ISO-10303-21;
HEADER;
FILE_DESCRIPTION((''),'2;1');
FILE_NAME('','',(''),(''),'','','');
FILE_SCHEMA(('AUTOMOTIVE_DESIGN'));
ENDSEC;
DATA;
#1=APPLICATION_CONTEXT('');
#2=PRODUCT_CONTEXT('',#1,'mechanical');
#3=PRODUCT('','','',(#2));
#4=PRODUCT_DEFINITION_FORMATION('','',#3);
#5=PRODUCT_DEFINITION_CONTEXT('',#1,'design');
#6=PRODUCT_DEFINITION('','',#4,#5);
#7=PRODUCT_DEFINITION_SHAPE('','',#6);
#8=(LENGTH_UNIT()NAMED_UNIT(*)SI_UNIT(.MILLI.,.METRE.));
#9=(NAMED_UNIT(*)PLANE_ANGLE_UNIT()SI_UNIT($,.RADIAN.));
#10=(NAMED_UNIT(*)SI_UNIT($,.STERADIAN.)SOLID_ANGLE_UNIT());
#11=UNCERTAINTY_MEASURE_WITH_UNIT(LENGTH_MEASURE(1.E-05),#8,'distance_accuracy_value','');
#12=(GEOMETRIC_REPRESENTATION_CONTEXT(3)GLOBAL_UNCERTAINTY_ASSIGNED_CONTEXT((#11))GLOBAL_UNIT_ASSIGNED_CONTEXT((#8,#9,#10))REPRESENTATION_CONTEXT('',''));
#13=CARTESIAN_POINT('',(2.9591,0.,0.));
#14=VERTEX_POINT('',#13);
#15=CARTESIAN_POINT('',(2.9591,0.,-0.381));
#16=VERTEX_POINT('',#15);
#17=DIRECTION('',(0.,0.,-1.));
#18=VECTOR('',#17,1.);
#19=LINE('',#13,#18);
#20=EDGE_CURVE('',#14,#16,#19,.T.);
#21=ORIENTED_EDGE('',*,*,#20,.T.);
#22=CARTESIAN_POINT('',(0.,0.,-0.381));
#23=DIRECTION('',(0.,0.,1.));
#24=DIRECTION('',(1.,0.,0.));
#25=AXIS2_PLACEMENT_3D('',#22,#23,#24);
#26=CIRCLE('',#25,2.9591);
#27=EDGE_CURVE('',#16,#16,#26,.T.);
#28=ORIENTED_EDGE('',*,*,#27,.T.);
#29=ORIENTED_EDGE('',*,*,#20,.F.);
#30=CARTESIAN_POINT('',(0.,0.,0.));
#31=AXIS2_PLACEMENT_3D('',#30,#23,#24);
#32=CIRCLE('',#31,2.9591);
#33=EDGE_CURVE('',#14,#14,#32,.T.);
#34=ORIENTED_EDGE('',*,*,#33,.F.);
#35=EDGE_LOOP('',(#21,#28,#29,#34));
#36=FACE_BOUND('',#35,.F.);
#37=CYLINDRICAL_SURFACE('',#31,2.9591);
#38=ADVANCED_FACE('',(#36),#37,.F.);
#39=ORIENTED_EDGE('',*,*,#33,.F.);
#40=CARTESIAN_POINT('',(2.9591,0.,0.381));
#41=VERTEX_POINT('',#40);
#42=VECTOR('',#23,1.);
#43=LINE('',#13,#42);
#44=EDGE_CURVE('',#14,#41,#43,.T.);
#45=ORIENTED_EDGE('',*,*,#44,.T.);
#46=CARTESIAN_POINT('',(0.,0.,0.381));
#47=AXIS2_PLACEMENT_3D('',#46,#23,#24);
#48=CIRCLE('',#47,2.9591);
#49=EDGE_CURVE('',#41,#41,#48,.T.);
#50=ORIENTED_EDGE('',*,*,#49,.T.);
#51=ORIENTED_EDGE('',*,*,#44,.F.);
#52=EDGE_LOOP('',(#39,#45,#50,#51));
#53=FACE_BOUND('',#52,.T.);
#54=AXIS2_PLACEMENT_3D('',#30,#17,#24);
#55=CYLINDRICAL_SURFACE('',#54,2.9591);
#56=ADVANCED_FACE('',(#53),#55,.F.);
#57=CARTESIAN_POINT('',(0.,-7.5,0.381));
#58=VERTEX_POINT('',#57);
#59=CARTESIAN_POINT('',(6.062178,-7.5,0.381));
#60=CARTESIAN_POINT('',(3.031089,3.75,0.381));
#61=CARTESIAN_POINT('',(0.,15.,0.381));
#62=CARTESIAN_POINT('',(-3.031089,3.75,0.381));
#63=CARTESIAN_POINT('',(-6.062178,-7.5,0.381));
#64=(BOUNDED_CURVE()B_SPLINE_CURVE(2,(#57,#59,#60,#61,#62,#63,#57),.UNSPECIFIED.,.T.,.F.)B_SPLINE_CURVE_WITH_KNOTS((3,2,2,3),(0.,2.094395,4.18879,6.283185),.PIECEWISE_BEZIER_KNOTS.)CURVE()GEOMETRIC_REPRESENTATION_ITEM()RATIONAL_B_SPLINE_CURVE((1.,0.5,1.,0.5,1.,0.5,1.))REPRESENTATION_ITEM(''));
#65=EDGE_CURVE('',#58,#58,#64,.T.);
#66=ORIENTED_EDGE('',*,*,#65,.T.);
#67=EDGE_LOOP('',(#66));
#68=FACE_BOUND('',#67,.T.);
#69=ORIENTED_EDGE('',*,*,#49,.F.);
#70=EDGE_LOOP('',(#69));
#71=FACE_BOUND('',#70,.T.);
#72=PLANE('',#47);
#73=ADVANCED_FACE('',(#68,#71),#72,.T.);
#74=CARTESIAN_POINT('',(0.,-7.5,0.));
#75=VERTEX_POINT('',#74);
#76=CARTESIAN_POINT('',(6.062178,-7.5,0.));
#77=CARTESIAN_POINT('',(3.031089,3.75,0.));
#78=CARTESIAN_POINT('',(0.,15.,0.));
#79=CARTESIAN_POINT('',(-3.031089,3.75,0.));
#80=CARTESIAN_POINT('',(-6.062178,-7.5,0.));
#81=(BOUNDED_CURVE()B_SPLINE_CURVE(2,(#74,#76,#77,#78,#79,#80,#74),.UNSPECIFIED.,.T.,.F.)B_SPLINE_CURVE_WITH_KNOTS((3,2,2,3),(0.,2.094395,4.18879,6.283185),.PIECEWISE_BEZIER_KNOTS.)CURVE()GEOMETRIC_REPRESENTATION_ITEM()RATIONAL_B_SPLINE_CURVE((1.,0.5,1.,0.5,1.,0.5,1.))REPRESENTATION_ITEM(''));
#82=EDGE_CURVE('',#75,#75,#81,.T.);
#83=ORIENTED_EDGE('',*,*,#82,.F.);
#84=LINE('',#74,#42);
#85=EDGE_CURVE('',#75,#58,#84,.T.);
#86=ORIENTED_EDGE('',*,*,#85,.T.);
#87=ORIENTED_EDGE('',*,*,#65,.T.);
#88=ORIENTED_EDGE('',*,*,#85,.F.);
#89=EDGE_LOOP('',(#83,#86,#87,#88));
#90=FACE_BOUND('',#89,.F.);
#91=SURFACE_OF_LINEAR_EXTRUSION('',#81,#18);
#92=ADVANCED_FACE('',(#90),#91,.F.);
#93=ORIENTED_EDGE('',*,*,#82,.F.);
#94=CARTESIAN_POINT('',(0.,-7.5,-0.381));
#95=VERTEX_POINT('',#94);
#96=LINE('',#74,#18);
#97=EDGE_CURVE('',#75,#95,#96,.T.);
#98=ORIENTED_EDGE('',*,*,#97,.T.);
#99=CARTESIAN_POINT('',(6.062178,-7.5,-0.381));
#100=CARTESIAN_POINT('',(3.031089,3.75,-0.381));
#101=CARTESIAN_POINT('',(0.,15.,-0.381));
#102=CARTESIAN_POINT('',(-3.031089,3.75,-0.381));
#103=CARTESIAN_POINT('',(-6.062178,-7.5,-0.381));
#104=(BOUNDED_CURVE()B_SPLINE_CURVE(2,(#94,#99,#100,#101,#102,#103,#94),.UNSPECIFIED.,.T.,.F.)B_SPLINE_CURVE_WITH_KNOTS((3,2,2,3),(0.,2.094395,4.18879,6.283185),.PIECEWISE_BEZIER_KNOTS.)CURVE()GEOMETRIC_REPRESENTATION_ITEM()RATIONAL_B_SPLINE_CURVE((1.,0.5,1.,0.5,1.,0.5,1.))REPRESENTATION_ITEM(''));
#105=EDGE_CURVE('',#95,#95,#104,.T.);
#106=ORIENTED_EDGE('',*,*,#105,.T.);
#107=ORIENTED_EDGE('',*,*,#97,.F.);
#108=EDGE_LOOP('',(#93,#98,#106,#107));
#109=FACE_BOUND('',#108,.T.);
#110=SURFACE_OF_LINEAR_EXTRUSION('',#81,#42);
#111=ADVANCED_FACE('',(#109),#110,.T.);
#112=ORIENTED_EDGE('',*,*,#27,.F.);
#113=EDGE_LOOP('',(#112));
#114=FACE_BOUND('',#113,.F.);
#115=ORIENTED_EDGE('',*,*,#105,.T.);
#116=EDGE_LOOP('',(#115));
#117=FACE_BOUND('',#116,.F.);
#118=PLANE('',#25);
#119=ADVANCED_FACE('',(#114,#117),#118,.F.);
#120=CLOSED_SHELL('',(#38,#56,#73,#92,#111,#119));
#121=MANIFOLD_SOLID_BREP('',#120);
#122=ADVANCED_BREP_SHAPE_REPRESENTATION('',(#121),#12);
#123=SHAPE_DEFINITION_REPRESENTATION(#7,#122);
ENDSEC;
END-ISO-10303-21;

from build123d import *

# Parameters (mm, degrees)
F0_R     = 2.9591
F1_DEPTH = 0.381


with BuildPart() as f1:
    # F0 (on Top) → F1 (new body, symmetric)
    with BuildSketch(Plane.XY):
        with BuildLine():
            add(Edge.make_bspline(
                [(0, -7.5), (6.062178, -7.5), (3.031089, 3.75), (0, 15), (-3.031089, 3.75), (-6.062178, -7.5), (0, -7.5)],
                knots=[0, 0, 0, 2.094395, 2.094395, 4.18879, 4.18879, 6.283185, 6.283185, 6.283185], degree=2, weights=[1, 0.5, 1, 0.5, 1, 0.5, 1]))
        make_face()
        Circle(F0_R, mode=Mode.SUBTRACT)
    extrude(amount=F1_DEPTH, both=True)


solid = f1.part
